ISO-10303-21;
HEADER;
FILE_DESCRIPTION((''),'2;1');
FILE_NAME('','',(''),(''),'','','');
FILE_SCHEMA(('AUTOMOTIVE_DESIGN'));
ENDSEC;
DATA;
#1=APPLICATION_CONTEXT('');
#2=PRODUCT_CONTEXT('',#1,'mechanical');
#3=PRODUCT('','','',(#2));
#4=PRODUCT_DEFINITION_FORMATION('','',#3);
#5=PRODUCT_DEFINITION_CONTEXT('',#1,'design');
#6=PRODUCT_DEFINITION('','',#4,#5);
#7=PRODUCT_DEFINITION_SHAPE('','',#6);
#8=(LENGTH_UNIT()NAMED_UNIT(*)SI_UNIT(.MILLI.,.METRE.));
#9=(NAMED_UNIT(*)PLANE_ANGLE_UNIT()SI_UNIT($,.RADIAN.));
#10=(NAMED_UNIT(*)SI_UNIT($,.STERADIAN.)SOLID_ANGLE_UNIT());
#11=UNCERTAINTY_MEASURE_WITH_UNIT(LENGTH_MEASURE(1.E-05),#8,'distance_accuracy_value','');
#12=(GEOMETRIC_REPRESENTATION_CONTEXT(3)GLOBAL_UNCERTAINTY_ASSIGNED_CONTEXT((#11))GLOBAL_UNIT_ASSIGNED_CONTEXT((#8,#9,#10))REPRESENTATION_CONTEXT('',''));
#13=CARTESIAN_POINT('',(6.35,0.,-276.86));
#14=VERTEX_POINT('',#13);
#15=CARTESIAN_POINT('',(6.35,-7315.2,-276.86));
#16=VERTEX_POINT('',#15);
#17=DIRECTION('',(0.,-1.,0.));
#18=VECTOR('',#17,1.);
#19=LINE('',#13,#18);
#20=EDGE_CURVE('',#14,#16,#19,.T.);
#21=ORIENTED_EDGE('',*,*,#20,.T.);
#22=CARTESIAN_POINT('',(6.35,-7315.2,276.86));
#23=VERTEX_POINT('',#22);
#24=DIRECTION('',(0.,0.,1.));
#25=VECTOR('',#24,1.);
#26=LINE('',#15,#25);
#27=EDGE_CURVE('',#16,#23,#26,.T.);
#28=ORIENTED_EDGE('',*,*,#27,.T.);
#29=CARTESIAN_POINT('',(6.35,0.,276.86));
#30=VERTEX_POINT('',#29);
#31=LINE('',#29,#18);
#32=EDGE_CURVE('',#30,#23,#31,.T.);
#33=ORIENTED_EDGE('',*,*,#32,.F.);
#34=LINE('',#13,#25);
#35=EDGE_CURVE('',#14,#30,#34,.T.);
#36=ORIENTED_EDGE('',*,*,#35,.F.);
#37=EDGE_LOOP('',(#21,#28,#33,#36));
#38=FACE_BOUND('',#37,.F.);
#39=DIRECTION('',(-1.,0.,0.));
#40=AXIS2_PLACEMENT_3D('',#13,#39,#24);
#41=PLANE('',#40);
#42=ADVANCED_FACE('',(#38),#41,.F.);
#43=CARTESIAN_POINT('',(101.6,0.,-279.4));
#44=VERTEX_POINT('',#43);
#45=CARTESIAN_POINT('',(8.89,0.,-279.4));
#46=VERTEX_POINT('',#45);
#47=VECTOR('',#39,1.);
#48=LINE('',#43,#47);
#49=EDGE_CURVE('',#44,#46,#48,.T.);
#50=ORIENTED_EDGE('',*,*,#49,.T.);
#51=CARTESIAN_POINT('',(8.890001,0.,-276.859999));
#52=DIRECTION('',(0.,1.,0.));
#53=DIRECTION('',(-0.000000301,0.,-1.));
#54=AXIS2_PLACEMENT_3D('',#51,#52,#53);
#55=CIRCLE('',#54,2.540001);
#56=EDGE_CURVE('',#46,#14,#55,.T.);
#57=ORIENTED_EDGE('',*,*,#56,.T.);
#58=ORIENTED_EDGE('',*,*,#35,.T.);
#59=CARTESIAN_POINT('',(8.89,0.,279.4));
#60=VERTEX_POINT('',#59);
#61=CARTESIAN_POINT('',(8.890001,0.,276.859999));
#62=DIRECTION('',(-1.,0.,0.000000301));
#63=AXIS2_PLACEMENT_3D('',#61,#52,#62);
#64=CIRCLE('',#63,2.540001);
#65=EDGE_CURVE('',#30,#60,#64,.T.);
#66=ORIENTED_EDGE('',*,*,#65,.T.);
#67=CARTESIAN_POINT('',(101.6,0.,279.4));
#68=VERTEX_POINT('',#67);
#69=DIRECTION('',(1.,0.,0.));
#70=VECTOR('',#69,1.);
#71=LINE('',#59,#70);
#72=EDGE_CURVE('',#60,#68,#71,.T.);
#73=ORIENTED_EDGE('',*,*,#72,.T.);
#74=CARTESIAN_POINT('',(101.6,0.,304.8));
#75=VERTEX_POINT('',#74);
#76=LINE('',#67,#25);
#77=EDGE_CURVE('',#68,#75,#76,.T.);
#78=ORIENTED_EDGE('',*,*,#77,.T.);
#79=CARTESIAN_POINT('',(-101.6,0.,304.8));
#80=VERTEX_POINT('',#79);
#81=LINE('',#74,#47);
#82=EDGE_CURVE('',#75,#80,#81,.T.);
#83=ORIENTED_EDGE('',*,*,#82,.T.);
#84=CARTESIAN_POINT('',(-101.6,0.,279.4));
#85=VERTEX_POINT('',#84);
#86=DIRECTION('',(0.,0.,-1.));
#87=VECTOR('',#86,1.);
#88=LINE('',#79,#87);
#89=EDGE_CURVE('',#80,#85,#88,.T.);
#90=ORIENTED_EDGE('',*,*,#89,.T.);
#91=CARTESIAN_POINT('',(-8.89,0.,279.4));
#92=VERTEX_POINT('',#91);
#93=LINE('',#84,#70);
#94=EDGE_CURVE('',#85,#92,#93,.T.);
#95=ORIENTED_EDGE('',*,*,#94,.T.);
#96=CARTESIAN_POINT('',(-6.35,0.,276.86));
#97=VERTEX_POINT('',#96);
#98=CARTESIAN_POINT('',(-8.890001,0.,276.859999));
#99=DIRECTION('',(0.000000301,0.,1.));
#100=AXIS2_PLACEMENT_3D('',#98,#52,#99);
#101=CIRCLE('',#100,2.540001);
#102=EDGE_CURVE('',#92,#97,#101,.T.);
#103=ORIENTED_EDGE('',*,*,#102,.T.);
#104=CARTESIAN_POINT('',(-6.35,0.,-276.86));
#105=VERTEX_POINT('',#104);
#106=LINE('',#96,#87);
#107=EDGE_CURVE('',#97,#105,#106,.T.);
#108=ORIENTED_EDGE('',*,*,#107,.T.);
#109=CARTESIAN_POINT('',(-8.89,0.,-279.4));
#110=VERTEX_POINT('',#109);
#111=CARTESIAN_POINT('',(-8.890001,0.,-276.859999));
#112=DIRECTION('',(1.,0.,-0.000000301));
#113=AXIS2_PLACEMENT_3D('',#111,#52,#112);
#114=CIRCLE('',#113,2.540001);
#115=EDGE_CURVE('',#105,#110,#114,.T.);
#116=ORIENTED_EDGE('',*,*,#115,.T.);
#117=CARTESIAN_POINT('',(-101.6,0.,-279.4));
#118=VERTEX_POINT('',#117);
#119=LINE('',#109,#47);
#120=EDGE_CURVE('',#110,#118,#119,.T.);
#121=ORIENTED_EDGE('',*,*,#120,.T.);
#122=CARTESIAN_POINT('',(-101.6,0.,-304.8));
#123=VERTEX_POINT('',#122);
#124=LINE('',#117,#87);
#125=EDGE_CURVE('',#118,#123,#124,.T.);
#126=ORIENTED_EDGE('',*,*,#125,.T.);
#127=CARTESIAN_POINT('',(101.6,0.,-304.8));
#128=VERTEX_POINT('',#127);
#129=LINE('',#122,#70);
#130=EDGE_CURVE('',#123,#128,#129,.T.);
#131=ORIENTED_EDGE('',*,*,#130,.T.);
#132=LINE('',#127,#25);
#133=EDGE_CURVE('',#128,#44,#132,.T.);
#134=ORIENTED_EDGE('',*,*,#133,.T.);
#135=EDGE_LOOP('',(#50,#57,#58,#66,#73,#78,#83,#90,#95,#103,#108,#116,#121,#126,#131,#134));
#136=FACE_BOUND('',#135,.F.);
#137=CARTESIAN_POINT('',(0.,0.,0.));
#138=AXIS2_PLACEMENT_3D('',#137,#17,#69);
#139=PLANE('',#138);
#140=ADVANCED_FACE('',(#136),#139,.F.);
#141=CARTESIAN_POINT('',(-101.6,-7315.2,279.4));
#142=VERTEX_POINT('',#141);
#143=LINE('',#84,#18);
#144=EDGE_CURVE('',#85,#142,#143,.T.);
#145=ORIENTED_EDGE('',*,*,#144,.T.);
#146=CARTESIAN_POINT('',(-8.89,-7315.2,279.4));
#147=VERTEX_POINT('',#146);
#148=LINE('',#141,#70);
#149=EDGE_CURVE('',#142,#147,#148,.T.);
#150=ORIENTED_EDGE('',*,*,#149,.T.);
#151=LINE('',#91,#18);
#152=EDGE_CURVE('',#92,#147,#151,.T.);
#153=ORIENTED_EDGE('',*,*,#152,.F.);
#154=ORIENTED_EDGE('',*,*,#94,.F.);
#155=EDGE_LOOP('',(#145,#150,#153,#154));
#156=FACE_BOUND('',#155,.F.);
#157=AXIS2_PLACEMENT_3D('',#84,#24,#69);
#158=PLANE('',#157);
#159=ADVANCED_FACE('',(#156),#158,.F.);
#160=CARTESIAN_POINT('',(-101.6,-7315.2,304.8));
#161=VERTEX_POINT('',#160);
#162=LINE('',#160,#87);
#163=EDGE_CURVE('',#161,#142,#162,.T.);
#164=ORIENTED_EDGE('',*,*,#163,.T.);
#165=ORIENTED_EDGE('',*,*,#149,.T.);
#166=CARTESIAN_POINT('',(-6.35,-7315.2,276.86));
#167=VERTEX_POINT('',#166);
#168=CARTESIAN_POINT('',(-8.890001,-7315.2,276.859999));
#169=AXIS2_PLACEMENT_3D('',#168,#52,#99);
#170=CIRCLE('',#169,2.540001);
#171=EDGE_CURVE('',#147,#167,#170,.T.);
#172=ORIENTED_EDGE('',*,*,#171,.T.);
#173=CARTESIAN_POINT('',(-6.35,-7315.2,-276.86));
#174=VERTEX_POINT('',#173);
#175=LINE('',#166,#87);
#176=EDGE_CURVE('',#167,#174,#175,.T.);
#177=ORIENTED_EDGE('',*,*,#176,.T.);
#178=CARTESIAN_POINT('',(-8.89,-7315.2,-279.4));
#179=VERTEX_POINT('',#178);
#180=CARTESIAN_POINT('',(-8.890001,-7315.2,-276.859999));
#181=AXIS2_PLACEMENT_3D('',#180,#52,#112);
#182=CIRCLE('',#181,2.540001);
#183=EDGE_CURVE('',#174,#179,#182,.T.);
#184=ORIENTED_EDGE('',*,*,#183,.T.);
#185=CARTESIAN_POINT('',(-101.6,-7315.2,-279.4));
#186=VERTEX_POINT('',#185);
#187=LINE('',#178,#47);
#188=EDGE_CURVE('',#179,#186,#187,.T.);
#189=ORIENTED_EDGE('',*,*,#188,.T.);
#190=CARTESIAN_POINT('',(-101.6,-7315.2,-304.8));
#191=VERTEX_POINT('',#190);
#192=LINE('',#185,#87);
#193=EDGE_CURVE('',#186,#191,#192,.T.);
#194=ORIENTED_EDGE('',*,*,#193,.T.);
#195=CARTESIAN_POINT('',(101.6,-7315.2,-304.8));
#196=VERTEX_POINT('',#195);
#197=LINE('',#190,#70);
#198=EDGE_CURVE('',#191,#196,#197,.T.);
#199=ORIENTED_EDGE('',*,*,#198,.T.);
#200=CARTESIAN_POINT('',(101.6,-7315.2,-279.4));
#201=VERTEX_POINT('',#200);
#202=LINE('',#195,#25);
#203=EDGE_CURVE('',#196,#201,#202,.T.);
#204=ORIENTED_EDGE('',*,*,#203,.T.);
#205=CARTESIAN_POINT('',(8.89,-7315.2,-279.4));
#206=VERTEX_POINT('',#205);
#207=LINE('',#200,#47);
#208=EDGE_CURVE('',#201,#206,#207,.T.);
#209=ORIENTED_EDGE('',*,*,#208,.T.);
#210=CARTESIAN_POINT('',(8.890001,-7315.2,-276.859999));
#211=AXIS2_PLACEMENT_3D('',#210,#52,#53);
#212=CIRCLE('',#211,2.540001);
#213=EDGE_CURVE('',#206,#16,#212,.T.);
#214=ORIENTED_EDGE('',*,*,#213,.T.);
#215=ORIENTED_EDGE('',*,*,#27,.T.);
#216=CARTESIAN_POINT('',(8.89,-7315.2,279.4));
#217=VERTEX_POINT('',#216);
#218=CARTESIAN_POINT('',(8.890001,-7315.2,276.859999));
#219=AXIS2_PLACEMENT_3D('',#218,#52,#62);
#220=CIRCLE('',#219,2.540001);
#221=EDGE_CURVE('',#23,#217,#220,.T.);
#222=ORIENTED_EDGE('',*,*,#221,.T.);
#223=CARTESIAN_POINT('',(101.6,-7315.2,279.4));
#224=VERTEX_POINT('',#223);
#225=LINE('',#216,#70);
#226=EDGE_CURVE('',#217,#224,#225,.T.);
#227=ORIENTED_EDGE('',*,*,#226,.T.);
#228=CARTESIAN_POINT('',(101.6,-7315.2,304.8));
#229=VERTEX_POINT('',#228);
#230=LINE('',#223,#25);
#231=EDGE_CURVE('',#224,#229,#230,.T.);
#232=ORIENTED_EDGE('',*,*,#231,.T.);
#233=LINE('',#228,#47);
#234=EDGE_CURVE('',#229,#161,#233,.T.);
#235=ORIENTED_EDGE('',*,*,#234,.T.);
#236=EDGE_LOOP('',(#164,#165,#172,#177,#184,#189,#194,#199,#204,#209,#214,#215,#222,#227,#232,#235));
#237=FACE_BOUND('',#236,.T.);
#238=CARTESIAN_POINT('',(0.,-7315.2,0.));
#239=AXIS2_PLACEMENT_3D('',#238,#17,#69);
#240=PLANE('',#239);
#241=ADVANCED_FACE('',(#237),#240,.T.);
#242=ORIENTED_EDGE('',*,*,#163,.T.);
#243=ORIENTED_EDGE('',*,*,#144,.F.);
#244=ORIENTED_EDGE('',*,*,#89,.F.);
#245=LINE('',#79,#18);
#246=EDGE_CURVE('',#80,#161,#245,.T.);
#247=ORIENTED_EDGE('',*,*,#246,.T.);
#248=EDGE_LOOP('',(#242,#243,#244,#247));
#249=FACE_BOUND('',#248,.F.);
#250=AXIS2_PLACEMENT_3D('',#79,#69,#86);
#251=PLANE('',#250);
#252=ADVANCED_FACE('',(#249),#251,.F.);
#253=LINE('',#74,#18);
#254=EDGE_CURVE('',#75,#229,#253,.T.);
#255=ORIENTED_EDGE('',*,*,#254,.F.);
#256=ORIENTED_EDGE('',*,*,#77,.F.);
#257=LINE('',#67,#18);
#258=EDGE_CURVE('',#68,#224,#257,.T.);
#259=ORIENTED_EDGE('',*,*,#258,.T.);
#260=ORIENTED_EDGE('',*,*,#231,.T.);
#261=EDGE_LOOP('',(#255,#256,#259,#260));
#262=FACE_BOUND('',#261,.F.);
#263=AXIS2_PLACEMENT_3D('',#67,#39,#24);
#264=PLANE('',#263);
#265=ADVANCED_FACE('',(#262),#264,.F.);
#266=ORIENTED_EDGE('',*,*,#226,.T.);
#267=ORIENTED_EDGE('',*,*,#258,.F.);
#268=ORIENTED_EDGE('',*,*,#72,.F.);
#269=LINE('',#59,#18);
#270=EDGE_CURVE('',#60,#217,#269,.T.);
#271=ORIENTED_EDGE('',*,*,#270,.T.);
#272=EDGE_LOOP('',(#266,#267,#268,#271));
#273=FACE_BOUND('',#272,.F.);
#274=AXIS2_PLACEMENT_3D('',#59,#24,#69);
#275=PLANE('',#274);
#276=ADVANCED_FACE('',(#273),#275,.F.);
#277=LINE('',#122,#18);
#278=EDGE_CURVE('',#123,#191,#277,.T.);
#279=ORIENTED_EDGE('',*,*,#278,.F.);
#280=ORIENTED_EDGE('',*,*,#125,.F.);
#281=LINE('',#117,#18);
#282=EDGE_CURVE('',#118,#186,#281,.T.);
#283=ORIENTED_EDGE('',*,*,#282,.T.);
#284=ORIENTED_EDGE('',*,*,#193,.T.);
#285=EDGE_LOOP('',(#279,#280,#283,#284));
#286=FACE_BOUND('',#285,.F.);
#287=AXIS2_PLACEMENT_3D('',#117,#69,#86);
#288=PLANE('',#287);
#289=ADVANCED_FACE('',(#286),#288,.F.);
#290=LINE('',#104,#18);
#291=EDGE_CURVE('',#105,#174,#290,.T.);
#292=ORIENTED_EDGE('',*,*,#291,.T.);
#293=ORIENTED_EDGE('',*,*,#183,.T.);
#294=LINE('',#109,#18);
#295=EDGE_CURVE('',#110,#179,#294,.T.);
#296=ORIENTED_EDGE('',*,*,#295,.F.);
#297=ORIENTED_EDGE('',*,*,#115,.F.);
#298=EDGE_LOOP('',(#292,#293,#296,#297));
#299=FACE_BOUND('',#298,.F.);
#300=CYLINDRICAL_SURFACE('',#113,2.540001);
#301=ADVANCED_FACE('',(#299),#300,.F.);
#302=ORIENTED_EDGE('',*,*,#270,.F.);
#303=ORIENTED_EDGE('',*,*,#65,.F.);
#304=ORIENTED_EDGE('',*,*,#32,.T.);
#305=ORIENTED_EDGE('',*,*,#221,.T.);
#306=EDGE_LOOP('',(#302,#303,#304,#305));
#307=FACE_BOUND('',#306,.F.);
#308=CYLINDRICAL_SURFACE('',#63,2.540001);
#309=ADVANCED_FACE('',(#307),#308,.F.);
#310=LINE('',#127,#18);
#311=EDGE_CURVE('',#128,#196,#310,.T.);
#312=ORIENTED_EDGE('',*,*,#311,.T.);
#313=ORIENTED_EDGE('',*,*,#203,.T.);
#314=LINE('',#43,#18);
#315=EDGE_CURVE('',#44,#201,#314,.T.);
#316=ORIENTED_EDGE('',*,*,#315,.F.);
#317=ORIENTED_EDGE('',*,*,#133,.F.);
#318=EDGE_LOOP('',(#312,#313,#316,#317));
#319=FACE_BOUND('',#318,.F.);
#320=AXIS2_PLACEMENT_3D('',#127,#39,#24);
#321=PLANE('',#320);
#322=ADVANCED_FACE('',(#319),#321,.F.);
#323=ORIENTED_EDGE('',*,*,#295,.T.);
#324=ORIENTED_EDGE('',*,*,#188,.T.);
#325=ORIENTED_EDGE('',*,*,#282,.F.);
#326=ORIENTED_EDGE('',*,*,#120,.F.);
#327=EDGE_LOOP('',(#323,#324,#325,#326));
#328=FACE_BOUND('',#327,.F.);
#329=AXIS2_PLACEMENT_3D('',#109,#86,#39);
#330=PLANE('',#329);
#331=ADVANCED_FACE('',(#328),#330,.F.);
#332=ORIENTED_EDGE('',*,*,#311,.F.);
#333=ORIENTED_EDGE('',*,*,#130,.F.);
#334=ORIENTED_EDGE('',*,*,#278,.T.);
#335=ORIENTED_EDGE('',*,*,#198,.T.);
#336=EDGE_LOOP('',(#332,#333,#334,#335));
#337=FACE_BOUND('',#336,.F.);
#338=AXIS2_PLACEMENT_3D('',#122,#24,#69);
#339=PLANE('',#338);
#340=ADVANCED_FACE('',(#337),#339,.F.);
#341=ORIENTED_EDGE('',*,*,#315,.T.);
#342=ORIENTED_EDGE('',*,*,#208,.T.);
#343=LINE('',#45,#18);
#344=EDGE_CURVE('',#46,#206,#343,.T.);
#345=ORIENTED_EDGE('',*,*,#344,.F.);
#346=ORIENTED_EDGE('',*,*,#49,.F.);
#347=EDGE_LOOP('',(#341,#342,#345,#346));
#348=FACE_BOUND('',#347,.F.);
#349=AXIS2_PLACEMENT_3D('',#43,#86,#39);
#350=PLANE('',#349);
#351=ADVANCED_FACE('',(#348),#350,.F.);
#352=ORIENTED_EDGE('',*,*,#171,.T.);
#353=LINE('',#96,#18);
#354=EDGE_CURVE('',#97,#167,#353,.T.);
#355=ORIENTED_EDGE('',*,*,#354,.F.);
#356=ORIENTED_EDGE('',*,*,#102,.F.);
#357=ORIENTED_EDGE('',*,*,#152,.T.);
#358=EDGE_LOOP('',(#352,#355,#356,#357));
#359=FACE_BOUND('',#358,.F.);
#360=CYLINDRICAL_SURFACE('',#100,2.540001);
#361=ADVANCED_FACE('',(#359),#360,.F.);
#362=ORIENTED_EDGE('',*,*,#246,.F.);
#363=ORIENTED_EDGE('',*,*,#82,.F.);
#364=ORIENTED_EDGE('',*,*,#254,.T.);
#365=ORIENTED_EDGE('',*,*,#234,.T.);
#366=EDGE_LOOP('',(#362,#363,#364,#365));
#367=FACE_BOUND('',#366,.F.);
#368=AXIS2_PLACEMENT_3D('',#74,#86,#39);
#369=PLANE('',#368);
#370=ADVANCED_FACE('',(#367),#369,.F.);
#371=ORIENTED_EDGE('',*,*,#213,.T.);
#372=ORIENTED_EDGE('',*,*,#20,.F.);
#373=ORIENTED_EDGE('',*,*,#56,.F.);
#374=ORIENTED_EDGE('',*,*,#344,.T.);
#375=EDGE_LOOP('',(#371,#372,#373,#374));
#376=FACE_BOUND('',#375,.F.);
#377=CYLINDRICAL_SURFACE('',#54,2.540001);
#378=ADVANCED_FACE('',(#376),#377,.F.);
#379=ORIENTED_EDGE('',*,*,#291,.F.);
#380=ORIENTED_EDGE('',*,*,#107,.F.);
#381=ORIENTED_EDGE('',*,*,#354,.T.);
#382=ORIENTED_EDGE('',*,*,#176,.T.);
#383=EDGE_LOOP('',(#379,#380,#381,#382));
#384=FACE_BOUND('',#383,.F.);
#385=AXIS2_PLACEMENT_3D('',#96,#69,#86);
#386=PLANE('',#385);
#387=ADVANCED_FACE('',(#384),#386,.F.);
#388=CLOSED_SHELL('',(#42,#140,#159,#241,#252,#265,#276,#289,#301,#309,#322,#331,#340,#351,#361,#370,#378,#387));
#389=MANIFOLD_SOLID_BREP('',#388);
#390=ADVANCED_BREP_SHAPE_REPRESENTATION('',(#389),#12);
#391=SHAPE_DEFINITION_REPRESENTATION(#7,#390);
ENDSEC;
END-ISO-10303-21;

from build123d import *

# Parameters (mm, degrees)
F1_DEPTH = 7315.2


with BuildPart() as f1:
    # F0 (on Front) → F1 (new body)
    with BuildSketch(Plane.XZ):
        with BuildLine():
            Line((101.6, -304.8), (101.6, -279.4))
            Line((101.6, -279.4), (8.89, -279.4))
            ThreePointArc((8.89, -279.4), (7.093949, -278.656051), (6.35, -276.86))
            Line((6.35, -276.86), (6.35, 276.86))
            ThreePointArc((6.35, 276.86), (7.093949, 278.656051), (8.89, 279.4))
            Line((8.89, 279.4), (101.6, 279.4))
            Line((101.6, 279.4), (101.6, 304.8))
            Line((101.6, 304.8), (-101.6, 304.8))
            Line((-101.6, 304.8), (-101.6, 279.4))
            Line((-101.6, 279.4), (-8.89, 279.4))
            ThreePointArc((-8.89, 279.4), (-7.093949, 278.656051), (-6.35, 276.86))
            Line((-6.35, 276.86), (-6.35, -276.86))
            ThreePointArc((-6.35, -276.86), (-7.093949, -278.656051), (-8.89, -279.4))
            Line((-8.89, -279.4), (-101.6, -279.4))
            Line((-101.6, -279.4), (-101.6, -304.8))
            Line((-101.6, -304.8), (101.6, -304.8))
        make_face()
    extrude(amount=F1_DEPTH)


solid = f1.part
